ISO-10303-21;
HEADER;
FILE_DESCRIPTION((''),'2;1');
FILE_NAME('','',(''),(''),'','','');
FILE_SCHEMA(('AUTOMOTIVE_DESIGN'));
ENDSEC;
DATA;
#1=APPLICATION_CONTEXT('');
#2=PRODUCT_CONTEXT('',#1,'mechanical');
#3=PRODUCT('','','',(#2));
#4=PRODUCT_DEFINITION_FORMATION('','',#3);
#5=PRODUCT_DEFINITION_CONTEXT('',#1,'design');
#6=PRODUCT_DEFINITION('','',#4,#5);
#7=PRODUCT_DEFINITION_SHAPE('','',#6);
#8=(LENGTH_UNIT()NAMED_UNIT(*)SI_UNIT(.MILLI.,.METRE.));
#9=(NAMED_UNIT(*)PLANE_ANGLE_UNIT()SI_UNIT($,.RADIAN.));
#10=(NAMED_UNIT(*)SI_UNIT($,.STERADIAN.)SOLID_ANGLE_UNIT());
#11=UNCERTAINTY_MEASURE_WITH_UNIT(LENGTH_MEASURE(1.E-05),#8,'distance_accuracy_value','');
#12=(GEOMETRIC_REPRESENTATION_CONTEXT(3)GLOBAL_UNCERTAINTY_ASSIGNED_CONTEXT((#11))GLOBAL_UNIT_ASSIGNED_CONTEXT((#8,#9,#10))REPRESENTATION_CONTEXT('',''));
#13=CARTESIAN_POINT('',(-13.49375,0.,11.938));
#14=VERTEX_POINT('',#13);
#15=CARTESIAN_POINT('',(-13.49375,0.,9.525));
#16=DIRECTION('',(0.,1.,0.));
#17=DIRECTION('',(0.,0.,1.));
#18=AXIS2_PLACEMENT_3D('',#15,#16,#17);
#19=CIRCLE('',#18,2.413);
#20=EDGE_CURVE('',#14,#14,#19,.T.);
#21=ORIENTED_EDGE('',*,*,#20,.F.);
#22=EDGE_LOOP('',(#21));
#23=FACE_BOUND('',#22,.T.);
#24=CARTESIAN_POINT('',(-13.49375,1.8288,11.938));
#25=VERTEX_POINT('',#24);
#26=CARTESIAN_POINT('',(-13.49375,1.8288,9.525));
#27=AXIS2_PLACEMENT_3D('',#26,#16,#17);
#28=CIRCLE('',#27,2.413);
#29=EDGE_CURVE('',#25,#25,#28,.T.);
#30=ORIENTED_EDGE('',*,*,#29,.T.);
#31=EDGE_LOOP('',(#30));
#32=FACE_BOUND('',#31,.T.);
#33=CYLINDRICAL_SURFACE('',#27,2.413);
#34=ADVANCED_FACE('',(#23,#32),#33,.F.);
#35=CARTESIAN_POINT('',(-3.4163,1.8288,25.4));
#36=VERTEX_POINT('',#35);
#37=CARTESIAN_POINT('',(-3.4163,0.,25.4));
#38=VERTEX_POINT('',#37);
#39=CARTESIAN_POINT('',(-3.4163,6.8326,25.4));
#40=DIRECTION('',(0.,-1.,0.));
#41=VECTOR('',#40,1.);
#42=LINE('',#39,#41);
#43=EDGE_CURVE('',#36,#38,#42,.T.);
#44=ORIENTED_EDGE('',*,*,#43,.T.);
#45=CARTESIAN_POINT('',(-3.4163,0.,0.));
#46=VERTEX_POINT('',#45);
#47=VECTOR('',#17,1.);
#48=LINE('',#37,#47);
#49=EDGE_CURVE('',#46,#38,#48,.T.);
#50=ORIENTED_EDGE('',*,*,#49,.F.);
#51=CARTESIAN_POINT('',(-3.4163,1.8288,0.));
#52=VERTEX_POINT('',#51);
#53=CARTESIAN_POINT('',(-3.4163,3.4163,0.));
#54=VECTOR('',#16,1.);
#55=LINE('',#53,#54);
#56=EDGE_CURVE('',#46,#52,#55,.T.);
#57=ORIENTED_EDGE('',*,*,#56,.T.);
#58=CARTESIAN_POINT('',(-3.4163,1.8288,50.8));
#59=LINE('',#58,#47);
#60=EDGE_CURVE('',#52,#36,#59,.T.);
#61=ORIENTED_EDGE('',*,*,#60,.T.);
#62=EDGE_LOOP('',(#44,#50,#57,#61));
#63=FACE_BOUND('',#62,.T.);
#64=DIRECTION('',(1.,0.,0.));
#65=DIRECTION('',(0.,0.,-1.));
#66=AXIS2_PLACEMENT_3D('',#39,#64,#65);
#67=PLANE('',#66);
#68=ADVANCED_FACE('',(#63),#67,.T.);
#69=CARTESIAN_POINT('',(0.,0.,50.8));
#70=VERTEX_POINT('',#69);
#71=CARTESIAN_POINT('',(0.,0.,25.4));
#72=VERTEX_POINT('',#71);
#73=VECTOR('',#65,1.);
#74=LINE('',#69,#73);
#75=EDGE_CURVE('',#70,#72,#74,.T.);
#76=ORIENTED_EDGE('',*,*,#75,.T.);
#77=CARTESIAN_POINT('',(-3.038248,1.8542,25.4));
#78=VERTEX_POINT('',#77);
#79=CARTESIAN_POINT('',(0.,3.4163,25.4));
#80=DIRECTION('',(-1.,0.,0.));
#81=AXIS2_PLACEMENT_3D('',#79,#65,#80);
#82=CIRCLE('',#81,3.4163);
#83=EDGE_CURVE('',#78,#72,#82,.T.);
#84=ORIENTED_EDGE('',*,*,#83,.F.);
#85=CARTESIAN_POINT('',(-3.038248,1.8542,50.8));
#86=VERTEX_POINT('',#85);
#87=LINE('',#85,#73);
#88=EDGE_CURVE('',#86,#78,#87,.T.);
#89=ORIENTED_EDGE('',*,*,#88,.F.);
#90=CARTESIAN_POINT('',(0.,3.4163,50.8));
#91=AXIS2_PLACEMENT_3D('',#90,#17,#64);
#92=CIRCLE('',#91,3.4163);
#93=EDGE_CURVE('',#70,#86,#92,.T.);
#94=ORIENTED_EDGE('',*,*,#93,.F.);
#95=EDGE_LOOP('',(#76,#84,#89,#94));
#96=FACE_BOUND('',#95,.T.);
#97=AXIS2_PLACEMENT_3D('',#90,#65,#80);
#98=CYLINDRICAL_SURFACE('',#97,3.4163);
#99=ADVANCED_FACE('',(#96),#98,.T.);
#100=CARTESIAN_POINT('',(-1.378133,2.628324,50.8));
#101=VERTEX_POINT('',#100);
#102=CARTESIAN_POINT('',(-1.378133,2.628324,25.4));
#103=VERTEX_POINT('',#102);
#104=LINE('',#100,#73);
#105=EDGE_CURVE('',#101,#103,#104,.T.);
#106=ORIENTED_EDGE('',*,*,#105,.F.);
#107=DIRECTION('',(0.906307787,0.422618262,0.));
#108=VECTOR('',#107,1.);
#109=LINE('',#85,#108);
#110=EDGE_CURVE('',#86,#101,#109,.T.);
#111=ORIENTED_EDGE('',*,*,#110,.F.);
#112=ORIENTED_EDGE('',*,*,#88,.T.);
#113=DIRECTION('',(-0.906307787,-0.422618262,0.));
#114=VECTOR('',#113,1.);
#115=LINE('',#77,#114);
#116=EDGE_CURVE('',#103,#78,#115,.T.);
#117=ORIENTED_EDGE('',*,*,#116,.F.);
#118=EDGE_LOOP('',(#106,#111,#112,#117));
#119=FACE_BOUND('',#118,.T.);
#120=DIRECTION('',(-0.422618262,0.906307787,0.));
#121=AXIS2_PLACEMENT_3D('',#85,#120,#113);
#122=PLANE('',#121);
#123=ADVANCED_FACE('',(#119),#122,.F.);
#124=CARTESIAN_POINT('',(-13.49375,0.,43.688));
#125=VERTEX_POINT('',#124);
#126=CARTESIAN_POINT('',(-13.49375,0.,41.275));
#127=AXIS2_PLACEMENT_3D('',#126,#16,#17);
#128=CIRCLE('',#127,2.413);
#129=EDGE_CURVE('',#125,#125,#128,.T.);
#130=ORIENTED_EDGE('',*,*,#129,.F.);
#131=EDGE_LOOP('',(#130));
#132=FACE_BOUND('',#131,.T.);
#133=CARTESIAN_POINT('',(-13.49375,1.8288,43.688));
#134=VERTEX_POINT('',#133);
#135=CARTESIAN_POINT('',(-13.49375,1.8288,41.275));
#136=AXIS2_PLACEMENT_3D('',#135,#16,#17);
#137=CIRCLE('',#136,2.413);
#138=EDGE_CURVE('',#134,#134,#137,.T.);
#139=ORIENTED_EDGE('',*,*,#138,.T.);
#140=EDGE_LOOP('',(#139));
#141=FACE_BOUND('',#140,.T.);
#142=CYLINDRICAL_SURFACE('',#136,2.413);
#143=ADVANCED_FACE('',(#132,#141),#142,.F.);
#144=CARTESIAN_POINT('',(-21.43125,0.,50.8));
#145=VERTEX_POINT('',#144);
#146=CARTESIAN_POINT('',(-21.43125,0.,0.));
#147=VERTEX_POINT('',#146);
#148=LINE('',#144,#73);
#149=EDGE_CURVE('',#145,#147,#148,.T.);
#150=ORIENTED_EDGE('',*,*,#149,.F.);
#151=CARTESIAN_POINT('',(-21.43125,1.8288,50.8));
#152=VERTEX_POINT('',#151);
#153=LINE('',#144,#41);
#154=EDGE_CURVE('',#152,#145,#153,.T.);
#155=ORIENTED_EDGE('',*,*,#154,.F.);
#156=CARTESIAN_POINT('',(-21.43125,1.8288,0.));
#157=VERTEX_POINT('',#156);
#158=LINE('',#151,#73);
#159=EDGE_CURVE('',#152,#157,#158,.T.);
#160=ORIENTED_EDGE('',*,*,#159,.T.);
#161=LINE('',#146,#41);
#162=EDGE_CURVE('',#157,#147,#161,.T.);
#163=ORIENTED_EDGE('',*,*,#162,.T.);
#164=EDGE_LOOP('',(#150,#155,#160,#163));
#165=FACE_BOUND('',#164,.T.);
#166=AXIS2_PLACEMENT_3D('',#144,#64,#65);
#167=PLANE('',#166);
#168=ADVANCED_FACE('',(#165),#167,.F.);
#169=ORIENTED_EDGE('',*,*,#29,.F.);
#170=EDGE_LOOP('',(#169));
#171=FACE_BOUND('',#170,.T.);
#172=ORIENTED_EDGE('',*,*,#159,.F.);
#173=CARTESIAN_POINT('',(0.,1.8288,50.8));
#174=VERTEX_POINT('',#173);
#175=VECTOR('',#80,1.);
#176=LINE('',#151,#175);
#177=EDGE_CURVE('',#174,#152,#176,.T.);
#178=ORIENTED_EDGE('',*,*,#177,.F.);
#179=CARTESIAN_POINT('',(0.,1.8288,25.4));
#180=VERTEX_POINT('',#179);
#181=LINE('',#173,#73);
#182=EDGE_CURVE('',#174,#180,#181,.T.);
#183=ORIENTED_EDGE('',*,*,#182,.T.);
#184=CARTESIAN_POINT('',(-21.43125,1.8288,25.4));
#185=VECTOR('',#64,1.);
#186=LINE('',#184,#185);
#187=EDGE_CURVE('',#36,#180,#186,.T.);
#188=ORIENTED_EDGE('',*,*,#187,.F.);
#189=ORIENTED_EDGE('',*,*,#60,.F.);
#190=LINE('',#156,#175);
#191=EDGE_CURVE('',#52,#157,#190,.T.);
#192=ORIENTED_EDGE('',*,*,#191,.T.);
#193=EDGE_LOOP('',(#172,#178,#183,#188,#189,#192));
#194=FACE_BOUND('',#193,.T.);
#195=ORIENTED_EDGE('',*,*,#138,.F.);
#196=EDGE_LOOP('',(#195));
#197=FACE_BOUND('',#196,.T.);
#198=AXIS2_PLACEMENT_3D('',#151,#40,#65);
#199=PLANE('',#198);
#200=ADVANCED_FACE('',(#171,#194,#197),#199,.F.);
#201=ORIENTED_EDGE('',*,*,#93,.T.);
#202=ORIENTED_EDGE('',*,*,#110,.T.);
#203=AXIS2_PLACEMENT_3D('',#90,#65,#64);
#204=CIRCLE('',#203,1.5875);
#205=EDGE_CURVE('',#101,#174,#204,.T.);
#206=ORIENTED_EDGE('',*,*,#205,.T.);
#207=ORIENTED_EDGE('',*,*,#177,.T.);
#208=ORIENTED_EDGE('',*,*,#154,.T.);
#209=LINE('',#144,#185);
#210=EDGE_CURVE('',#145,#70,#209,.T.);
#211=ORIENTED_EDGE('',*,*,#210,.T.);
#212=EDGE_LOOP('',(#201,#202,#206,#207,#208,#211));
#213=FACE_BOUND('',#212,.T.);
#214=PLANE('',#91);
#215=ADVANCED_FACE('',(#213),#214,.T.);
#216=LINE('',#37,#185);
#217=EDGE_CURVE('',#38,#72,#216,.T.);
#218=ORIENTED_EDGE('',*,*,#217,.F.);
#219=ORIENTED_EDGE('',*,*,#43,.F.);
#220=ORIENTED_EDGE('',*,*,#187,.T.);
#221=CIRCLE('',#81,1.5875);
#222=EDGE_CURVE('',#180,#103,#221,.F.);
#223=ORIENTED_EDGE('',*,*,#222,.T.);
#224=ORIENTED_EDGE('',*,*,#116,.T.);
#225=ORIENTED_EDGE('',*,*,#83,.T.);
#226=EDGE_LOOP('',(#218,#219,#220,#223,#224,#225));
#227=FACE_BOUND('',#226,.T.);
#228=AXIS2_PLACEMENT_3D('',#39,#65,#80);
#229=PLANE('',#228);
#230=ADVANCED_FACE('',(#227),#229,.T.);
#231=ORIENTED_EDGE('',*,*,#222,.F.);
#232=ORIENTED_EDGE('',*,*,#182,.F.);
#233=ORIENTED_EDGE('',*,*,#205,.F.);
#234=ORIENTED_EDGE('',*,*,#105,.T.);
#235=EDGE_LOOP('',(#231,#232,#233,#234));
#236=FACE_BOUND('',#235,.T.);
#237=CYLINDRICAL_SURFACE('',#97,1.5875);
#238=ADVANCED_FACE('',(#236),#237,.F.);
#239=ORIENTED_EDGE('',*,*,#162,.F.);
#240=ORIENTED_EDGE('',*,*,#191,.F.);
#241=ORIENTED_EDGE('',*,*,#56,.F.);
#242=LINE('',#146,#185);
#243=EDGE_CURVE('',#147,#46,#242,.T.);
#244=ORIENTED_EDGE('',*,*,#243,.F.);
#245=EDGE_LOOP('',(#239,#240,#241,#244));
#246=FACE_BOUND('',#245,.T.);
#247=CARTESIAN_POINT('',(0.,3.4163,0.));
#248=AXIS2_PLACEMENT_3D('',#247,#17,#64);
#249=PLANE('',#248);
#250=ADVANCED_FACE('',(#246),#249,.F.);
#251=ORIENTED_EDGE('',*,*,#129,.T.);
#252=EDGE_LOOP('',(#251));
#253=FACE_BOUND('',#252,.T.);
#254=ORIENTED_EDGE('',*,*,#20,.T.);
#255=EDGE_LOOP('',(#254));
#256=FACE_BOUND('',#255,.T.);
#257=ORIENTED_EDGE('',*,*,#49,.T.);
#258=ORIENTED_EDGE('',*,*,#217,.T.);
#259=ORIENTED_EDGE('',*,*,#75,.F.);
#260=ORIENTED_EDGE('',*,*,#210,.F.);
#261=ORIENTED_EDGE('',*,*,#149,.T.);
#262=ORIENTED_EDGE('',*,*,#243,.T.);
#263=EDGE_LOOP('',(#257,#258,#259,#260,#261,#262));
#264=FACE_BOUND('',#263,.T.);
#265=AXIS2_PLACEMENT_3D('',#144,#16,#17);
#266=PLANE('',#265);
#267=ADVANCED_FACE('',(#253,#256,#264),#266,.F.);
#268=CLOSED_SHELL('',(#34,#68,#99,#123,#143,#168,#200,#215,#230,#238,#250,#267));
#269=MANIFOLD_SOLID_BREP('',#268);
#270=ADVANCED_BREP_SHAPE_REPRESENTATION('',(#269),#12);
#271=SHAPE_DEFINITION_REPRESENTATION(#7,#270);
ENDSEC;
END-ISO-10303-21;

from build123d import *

# Parameters (mm, degrees)
EXTRUDE1_DEPTH                      = 50.8
SKETCH2_W                           = 6.8326
SKETCH2_H                           = 25.4
CUT_EXTRUDE6_DEPTH                  = 56.557383842
EXTRUDE2_DEPTH                      = 50.8
SKETCH4_W                           = 6.8326
SKETCH4_H                           = 25.4
CUT_EXTRUDE7_DEPTH                  = 56.557383842
SKETCH5_R                           = 1.5875
EXTRUDE3_DEPTH                      = 25.4
SKETCH12_W                          = 2.413
SKETCH12_H                          = 1.8288
F_8_0_199_DIAMETER_HOLE1_AT_2_COUNT = 2
F_8_0_199_DIAMETER_HOLE1_AT_2_PITCH = 26.9875
F_8_0_199_DIAMETER_HOLE1_AT_3_COUNT = 2
F_8_0_199_DIAMETER_HOLE1_AT_3_PITCH = 41.669985076
F_8_0_199_DIAMETER_HOLE1_AT_4_COUNT = 2
F_8_0_199_DIAMETER_HOLE1_AT_4_PITCH = 31.75


with BuildPart() as part:
    # Sketch1 → Extrude1 (new body)
    with BuildSketch(Plane.XY):
        with BuildLine():
            Line((-21.43125, 0), (0, 0))
            ThreePointArc((0, 0), (1.779677423, 6.332436821), (-3.038247732, 1.8542))
            Line((-3.038247732, 1.8542), (-1.378132955, 2.628324234))
            ThreePointArc((-1.378132955, 2.628324234), (0.796631885, 4.789447439), (0, 1.8288))
            Line((0, 1.8288), (-21.43125, 1.8288))
            Line((-21.43125, 1.8288), (-21.43125, 0))
        make_face()
    extrude(amount=EXTRUDE1_DEPTH)

    # Sketch2 → Cut-Extrude6 (cut, through all)
    with BuildSketch(Plane(origin=(0, 0, 0), x_dir=(1, 0, 0), z_dir=(0, 1, 0))):
        with Locations((0, -12.7)):
            Rectangle(SKETCH2_W, SKETCH2_H)
    extrude(amount=CUT_EXTRUDE6_DEPTH, mode=Mode.SUBTRACT)


with BuildPart() as body_2:
    # Sketch3 → Extrude2 (new body)
    with BuildSketch(Plane.XY):
        with BuildLine():
            Line((0, 0), (21.43125, 0))
            Line((21.43125, 0), (21.43125, 1.8288))
            Line((21.43125, 1.8288), (3.025053626, 1.8288))
            ThreePointArc((3.025053626, 1.8288), (-1.767445818, 6.339866481), (0, 0))
        make_face()
    extrude(amount=EXTRUDE2_DEPTH)

    # Sketch4 → Cut-Extrude7 (cut, through all)
    with BuildSketch(Plane(origin=(0, 0, 0), x_dir=(1, 0, 0), z_dir=(0, 1, 0))):
        with Locations((0, -38.1)):
            Rectangle(SKETCH4_W, SKETCH4_H)
    extrude(amount=CUT_EXTRUDE7_DEPTH, mode=Mode.SUBTRACT)


with BuildPart() as body_3:
    # Sketch5 → Extrude3 (new body)
    with BuildSketch(Plane(origin=(0, 0, 25.4), x_dir=(-1, 0, 0), z_dir=(0, 0, -1))):
        with Locations((0, 3.4163)):
            Circle(SKETCH5_R)
    extrude(amount=-EXTRUDE3_DEPTH)

    # Sketch9 → Cut-Revolve1 (revolve, cut)
    with BuildSketch(Plane(origin=(0, 3.4163, 0), x_dir=(-1, 0, 0), z_dir=(0, 1, 0)), mode=Mode.PRIVATE) as cut_revolve1_sk:
        Polygon((-0.3175, 50.8), (-1.5875, 49.53), (-1.5875, 50.8), align=None)
    revolve(cut_revolve1_sk.sketch.rotate(Axis((0, 3.4163, 25.4), (0, 0, -1)), 180), axis=Axis((0, 3.4163, 25.4), (0, 0, -1)), mode=Mode.SUBTRACT)


with BuildPart() as body_2_1:
    add(body_2.part)

    # Combine1: union body 3
    add(body_3.part)

    # Sketch12 → #8 (0.199) Diameter Hole1 (revolve, cut)
    with BuildSketch(Plane(origin=(13.49375, 1.8288, 9.525), x_dir=(0, 0, 1), z_dir=(1, 0, 0))):
        with Locations((1.2065, 0.9144)):
            Rectangle(SKETCH12_W, SKETCH12_H)
    f_8_0_199_diameter_hole1 = revolve(axis=Axis((13.49375, 8.1788, 9.525), (0, -1, 0)), mode=Mode.SUBTRACT)

    # #8 (0.199) Diameter Hole1 at 4: #8 (0.199) Diameter Hole1 ×2
    with Locations(*[(0, 0, i * F_8_0_199_DIAMETER_HOLE1_AT_4_PITCH) for i in range(1, F_8_0_199_DIAMETER_HOLE1_AT_4_COUNT)]):
        add(f_8_0_199_diameter_hole1, mode=Mode.SUBTRACT)


with BuildPart() as part_1:
    add(part.part)

    # #8 (0.199) Diameter Hole1 at 2: #8 (0.199) Diameter Hole1 ×2
    with Locations(*[(-i * F_8_0_199_DIAMETER_HOLE1_AT_2_PITCH, 0, 0) for i in range(1, F_8_0_199_DIAMETER_HOLE1_AT_2_COUNT)]):
        add(f_8_0_199_diameter_hole1, mode=Mode.SUBTRACT)

    # #8 (0.199) Diameter Hole1 at 3: #8 (0.199) Diameter Hole1 ×2
    with Locations(*[Vector(-0.6476484200955402, 0, 0.7619393177594594) * (i * F_8_0_199_DIAMETER_HOLE1_AT_3_PITCH) for i in range(1, F_8_0_199_DIAMETER_HOLE1_AT_3_COUNT)]):
        add(f_8_0_199_diameter_hole1, mode=Mode.SUBTRACT)


solid = part_1.part
